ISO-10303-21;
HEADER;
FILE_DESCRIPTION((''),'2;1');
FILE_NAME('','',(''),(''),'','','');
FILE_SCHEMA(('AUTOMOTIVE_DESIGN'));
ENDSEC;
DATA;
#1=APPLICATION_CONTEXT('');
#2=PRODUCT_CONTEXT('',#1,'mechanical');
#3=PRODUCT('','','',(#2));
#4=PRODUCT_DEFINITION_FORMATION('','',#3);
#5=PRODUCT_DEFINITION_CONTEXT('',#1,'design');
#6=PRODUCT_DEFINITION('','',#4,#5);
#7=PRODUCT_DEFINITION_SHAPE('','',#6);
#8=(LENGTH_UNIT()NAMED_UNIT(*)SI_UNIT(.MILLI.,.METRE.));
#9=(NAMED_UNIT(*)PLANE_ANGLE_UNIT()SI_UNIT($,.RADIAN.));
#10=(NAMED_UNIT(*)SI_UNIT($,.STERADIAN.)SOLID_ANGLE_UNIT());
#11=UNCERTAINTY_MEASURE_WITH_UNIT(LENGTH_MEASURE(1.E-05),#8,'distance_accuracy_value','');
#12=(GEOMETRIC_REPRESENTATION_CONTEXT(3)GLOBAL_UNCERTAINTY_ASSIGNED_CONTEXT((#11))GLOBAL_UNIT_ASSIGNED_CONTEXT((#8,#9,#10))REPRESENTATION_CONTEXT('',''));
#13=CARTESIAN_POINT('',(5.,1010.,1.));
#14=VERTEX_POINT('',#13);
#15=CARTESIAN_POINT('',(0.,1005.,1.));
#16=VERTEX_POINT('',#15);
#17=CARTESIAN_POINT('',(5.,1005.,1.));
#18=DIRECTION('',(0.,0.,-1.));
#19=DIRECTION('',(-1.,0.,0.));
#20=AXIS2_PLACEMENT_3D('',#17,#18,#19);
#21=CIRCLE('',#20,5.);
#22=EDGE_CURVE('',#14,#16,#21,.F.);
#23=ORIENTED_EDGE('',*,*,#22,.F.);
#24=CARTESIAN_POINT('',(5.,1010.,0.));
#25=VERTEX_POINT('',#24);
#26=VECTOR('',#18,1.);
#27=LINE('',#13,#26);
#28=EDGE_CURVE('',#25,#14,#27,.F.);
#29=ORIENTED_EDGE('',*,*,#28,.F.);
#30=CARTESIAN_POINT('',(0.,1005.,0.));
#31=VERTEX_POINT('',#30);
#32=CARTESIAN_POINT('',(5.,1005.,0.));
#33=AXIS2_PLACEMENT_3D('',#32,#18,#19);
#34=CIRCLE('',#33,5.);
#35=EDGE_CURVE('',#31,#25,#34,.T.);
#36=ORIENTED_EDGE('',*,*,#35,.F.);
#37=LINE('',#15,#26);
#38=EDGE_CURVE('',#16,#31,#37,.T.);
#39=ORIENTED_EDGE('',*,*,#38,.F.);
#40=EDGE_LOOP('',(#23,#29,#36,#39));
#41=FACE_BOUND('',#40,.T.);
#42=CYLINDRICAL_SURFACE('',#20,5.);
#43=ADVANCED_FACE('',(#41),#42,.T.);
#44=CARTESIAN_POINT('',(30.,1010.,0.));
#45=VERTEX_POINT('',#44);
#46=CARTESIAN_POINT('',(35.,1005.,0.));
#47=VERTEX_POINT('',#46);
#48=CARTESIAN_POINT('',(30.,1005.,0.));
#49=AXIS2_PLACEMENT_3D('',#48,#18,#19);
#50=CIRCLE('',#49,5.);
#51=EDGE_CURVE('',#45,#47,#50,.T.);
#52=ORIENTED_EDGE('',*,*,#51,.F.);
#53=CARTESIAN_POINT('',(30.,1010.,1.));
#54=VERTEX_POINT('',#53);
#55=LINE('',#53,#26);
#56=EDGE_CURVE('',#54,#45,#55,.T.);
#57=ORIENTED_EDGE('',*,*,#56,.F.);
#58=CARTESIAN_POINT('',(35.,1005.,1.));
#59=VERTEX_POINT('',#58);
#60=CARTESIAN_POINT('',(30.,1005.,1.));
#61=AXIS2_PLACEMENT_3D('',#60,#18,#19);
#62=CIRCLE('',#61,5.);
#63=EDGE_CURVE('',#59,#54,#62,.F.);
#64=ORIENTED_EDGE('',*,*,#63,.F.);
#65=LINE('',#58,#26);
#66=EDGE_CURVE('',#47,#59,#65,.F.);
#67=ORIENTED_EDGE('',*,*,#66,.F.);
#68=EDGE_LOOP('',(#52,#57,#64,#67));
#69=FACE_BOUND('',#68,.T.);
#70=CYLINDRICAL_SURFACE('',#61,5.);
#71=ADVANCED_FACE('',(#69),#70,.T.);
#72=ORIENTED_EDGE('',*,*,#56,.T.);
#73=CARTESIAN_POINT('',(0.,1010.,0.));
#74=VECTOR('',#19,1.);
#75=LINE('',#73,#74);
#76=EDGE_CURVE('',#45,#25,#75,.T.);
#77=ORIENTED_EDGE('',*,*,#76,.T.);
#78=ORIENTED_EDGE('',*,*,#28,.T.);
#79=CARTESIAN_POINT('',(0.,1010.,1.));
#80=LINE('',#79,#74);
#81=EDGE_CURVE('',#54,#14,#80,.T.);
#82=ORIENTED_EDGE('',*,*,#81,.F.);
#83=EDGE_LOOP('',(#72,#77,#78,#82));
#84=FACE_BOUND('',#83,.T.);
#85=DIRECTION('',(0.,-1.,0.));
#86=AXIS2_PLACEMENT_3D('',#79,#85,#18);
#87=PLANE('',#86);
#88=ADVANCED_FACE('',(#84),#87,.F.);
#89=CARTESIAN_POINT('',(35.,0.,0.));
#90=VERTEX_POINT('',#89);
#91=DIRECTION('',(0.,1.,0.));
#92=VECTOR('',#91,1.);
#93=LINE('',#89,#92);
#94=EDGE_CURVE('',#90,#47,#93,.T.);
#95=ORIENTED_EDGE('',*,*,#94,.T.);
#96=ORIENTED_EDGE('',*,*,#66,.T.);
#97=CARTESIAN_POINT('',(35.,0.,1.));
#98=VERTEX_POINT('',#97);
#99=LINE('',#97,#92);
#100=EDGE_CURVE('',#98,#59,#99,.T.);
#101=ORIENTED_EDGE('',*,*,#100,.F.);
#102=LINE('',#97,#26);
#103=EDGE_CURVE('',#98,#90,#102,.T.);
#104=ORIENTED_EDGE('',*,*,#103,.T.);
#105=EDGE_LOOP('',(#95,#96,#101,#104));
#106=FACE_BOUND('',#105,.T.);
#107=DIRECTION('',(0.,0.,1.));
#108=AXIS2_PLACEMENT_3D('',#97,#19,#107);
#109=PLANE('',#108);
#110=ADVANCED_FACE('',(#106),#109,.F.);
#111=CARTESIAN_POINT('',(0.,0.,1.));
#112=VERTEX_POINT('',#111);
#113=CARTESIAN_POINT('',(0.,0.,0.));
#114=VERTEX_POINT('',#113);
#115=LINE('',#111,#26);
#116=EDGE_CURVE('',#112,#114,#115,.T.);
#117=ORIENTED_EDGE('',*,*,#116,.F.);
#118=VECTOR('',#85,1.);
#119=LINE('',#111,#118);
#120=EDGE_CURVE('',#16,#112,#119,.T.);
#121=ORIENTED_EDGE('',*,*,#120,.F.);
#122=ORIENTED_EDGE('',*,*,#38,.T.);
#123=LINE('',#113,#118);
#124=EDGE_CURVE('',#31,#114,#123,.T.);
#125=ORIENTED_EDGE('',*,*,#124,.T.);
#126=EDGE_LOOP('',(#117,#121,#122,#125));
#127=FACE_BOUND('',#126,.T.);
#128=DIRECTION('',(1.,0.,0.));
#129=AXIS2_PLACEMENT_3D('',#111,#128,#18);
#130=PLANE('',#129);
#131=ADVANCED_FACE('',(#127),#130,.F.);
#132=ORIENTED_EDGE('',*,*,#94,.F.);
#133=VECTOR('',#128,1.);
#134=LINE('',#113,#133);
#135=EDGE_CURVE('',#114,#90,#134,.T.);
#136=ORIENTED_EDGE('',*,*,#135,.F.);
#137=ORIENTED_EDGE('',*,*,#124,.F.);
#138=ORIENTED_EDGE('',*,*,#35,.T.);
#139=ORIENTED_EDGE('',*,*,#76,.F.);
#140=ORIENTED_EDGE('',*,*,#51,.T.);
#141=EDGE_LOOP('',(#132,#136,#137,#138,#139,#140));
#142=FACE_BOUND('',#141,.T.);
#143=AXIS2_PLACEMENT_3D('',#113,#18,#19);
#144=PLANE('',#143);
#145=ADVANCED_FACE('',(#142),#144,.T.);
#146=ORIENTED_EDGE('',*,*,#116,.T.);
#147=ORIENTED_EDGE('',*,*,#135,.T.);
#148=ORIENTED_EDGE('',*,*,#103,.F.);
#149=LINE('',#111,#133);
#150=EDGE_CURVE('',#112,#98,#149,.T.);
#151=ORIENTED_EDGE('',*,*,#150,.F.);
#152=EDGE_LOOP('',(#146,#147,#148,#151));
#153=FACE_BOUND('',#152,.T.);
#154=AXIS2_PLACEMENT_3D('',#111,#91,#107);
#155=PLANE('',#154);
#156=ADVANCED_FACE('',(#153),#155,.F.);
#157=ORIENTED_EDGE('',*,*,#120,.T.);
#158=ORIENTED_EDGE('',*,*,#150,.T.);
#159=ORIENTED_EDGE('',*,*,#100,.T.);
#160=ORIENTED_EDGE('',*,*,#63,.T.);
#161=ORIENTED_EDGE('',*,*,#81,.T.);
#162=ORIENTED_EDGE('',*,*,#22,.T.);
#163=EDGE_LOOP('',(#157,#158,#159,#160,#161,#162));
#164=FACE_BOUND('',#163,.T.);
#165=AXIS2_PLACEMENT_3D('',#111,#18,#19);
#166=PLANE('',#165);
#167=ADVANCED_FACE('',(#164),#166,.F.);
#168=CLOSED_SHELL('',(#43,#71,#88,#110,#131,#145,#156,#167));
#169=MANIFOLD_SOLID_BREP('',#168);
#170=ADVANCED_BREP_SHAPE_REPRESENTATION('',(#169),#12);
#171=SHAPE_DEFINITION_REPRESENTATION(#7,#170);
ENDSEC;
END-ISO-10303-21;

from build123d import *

# Parameters (mm, degrees)
ESBO_O1_W                = 35
ESBO_O1_H                = 1010
RESSALTO_EXTRUS_O1_DEPTH = 1
FILETE1_R                = 5


with BuildPart() as part:
    # Esboço1 → Ressalto-extrusão1 (new body)
    with BuildSketch(Plane.XY):
        with Locations((17.5, 505)):
            Rectangle(ESBO_O1_W, ESBO_O1_H)
    extrude(amount=RESSALTO_EXTRUS_O1_DEPTH)

    # Filete1
    filete1_edges = [part.edges().sort_by_distance(p)[0] for p in [
        (0, 1010, 0.5),
        (35, 1010, 0.5),
    ]]
    fillet(filete1_edges, radius=FILETE1_R)


solid = part.part
